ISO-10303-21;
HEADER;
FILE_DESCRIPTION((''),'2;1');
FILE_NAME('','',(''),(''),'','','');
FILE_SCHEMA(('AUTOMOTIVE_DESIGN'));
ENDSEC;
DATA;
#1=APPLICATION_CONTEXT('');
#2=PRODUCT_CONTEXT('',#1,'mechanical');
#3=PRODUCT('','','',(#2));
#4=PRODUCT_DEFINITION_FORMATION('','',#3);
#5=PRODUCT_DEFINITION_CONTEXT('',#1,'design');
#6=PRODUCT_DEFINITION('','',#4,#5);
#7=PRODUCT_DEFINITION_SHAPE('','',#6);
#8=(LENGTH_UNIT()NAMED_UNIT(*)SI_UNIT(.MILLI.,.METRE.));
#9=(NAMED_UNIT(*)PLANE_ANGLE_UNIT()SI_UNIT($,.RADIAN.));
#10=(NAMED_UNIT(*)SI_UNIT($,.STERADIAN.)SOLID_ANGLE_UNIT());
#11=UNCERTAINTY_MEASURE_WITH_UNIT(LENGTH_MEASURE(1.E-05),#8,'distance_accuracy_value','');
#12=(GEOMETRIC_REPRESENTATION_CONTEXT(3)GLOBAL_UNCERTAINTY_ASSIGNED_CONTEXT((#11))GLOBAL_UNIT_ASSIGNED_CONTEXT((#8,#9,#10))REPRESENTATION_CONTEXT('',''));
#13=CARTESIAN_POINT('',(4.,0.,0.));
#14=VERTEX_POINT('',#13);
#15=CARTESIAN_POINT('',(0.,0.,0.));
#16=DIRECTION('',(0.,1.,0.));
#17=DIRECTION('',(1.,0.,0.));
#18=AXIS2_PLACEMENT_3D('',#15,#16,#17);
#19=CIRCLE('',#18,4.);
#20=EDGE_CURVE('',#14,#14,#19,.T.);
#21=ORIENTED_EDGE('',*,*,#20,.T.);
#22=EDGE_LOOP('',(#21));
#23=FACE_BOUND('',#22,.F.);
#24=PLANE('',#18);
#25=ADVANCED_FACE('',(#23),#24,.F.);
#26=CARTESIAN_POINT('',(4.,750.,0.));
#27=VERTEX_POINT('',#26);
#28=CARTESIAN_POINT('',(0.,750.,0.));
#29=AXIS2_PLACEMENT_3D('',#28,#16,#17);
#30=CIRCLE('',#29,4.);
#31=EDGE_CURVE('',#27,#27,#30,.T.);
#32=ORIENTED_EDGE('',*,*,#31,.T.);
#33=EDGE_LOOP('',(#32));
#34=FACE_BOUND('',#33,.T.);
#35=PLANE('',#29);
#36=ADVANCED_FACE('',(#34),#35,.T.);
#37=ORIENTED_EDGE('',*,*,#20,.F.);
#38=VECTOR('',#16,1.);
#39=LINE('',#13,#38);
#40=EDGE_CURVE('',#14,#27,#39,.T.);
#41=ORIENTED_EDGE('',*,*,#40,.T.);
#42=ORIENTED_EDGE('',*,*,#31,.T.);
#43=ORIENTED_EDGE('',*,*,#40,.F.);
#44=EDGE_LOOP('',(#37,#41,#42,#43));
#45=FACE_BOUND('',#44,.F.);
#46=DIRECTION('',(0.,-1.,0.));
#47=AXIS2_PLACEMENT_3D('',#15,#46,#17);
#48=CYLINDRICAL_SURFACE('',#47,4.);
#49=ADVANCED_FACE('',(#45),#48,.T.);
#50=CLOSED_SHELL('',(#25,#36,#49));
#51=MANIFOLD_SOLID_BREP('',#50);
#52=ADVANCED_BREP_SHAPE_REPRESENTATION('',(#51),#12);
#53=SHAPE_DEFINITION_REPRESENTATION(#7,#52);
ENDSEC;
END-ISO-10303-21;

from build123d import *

# Parameters (mm, degrees)
SKETCH_1_R        = 4
EXTRUDE_264_DEPTH = 750


with BuildPart() as part:
    # 草图1 → Extrude 264 (new body)
    with BuildSketch(Plane(origin=(0, 0, 0), x_dir=(1, 0, 0), z_dir=(0, 1, 0))):
        Circle(SKETCH_1_R)
    extrude(amount=EXTRUDE_264_DEPTH)


solid = part.part
